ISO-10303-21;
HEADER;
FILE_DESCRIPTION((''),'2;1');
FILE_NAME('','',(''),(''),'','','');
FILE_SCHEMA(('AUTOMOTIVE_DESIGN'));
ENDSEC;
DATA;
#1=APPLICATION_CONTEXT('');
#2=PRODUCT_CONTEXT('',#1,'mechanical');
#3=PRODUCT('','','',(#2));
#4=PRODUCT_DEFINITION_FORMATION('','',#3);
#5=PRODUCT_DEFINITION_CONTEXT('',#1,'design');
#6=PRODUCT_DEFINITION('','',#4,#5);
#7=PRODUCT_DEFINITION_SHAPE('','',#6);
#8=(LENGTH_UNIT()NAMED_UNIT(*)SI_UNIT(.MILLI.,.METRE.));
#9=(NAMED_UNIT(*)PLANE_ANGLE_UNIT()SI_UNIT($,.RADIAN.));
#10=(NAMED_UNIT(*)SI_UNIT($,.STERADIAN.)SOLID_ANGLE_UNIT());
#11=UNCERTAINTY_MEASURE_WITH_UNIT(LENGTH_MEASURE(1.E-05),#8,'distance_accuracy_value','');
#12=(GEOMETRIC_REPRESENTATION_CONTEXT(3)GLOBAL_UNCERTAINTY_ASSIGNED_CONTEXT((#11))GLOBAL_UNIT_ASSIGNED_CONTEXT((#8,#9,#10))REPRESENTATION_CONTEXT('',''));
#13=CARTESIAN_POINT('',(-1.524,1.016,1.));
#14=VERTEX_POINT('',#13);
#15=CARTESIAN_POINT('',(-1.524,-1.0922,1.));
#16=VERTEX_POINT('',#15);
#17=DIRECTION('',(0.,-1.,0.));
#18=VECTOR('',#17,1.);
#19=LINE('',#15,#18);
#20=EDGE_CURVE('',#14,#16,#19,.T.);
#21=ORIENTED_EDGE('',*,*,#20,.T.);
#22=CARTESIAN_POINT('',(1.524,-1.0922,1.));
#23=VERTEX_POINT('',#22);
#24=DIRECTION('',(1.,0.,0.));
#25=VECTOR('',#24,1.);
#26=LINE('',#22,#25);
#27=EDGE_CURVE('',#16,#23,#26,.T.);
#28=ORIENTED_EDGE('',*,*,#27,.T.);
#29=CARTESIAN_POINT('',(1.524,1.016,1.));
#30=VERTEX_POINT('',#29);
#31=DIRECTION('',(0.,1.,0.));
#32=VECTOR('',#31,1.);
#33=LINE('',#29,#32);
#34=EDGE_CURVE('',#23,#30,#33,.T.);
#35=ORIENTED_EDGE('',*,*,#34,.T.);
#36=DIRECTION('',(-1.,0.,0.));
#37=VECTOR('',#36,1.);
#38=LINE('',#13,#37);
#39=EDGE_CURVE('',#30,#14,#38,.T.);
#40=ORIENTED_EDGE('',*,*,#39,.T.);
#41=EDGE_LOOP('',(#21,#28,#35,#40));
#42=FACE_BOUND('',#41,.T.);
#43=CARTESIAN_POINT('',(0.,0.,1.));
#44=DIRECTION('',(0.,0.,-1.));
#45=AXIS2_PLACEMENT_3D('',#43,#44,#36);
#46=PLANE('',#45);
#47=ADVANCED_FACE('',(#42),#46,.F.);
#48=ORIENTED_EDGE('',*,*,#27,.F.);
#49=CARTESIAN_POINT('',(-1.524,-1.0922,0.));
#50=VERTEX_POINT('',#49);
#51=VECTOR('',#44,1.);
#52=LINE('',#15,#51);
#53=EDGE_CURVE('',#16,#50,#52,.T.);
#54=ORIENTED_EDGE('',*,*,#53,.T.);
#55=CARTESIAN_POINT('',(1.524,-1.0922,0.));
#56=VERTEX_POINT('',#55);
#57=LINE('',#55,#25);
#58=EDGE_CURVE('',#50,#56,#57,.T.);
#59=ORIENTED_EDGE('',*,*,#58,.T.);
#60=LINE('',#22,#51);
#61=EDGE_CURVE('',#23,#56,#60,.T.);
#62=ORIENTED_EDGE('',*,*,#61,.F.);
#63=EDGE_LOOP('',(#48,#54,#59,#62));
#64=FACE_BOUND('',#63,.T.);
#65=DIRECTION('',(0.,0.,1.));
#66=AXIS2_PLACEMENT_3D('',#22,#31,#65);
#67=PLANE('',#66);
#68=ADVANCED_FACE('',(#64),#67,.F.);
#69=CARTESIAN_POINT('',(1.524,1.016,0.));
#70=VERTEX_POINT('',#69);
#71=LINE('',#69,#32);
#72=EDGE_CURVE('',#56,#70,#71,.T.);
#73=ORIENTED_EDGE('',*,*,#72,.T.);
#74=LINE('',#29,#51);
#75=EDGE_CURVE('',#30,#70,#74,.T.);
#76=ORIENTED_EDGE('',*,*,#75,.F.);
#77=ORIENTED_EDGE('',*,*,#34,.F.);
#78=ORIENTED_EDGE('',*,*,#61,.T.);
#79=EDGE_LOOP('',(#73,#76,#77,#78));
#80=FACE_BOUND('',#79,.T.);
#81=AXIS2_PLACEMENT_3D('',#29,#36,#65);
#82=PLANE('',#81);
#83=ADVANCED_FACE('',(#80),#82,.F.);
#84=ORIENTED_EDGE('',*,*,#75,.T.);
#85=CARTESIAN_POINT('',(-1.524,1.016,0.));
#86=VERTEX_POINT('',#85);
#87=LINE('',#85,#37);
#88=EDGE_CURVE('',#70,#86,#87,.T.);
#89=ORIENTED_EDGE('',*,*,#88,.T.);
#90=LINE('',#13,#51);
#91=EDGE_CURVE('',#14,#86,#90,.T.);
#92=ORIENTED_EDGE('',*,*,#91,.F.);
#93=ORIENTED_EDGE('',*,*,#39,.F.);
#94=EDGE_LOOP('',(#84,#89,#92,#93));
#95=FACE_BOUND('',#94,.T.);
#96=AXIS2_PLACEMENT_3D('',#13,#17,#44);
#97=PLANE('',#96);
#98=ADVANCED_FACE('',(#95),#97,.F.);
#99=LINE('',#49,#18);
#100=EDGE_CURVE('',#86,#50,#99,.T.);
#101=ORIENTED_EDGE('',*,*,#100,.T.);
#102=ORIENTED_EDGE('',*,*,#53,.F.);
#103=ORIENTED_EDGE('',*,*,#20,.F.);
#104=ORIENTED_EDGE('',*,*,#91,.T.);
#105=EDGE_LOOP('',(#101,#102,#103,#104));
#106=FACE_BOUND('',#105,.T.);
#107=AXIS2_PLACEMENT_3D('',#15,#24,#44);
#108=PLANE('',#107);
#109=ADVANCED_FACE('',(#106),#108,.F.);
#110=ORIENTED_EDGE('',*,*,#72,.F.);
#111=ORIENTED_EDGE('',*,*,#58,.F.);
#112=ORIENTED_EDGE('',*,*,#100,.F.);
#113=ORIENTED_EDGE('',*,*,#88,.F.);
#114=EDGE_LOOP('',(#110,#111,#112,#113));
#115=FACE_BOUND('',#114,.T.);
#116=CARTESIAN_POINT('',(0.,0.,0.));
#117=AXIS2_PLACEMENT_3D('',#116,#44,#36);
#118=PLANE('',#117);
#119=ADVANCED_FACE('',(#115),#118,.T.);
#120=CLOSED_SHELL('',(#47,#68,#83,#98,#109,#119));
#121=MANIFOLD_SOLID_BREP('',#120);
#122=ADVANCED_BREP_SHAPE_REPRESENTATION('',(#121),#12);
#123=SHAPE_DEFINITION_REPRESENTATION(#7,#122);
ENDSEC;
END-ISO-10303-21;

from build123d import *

# Parameters (mm, degrees)
SKETCH1_W               = 3.048
SKETCH1_H               = 2.1082
COMPONENT_OUTLINE_DEPTH = 1


with BuildPart() as part:
    # Sketch1 → Component_Outline (new body)
    with BuildSketch(Plane.XY):
        with Locations((0, -0.0381)):
            Rectangle(SKETCH1_W, SKETCH1_H)
    extrude(amount=COMPONENT_OUTLINE_DEPTH)


solid = part.part
